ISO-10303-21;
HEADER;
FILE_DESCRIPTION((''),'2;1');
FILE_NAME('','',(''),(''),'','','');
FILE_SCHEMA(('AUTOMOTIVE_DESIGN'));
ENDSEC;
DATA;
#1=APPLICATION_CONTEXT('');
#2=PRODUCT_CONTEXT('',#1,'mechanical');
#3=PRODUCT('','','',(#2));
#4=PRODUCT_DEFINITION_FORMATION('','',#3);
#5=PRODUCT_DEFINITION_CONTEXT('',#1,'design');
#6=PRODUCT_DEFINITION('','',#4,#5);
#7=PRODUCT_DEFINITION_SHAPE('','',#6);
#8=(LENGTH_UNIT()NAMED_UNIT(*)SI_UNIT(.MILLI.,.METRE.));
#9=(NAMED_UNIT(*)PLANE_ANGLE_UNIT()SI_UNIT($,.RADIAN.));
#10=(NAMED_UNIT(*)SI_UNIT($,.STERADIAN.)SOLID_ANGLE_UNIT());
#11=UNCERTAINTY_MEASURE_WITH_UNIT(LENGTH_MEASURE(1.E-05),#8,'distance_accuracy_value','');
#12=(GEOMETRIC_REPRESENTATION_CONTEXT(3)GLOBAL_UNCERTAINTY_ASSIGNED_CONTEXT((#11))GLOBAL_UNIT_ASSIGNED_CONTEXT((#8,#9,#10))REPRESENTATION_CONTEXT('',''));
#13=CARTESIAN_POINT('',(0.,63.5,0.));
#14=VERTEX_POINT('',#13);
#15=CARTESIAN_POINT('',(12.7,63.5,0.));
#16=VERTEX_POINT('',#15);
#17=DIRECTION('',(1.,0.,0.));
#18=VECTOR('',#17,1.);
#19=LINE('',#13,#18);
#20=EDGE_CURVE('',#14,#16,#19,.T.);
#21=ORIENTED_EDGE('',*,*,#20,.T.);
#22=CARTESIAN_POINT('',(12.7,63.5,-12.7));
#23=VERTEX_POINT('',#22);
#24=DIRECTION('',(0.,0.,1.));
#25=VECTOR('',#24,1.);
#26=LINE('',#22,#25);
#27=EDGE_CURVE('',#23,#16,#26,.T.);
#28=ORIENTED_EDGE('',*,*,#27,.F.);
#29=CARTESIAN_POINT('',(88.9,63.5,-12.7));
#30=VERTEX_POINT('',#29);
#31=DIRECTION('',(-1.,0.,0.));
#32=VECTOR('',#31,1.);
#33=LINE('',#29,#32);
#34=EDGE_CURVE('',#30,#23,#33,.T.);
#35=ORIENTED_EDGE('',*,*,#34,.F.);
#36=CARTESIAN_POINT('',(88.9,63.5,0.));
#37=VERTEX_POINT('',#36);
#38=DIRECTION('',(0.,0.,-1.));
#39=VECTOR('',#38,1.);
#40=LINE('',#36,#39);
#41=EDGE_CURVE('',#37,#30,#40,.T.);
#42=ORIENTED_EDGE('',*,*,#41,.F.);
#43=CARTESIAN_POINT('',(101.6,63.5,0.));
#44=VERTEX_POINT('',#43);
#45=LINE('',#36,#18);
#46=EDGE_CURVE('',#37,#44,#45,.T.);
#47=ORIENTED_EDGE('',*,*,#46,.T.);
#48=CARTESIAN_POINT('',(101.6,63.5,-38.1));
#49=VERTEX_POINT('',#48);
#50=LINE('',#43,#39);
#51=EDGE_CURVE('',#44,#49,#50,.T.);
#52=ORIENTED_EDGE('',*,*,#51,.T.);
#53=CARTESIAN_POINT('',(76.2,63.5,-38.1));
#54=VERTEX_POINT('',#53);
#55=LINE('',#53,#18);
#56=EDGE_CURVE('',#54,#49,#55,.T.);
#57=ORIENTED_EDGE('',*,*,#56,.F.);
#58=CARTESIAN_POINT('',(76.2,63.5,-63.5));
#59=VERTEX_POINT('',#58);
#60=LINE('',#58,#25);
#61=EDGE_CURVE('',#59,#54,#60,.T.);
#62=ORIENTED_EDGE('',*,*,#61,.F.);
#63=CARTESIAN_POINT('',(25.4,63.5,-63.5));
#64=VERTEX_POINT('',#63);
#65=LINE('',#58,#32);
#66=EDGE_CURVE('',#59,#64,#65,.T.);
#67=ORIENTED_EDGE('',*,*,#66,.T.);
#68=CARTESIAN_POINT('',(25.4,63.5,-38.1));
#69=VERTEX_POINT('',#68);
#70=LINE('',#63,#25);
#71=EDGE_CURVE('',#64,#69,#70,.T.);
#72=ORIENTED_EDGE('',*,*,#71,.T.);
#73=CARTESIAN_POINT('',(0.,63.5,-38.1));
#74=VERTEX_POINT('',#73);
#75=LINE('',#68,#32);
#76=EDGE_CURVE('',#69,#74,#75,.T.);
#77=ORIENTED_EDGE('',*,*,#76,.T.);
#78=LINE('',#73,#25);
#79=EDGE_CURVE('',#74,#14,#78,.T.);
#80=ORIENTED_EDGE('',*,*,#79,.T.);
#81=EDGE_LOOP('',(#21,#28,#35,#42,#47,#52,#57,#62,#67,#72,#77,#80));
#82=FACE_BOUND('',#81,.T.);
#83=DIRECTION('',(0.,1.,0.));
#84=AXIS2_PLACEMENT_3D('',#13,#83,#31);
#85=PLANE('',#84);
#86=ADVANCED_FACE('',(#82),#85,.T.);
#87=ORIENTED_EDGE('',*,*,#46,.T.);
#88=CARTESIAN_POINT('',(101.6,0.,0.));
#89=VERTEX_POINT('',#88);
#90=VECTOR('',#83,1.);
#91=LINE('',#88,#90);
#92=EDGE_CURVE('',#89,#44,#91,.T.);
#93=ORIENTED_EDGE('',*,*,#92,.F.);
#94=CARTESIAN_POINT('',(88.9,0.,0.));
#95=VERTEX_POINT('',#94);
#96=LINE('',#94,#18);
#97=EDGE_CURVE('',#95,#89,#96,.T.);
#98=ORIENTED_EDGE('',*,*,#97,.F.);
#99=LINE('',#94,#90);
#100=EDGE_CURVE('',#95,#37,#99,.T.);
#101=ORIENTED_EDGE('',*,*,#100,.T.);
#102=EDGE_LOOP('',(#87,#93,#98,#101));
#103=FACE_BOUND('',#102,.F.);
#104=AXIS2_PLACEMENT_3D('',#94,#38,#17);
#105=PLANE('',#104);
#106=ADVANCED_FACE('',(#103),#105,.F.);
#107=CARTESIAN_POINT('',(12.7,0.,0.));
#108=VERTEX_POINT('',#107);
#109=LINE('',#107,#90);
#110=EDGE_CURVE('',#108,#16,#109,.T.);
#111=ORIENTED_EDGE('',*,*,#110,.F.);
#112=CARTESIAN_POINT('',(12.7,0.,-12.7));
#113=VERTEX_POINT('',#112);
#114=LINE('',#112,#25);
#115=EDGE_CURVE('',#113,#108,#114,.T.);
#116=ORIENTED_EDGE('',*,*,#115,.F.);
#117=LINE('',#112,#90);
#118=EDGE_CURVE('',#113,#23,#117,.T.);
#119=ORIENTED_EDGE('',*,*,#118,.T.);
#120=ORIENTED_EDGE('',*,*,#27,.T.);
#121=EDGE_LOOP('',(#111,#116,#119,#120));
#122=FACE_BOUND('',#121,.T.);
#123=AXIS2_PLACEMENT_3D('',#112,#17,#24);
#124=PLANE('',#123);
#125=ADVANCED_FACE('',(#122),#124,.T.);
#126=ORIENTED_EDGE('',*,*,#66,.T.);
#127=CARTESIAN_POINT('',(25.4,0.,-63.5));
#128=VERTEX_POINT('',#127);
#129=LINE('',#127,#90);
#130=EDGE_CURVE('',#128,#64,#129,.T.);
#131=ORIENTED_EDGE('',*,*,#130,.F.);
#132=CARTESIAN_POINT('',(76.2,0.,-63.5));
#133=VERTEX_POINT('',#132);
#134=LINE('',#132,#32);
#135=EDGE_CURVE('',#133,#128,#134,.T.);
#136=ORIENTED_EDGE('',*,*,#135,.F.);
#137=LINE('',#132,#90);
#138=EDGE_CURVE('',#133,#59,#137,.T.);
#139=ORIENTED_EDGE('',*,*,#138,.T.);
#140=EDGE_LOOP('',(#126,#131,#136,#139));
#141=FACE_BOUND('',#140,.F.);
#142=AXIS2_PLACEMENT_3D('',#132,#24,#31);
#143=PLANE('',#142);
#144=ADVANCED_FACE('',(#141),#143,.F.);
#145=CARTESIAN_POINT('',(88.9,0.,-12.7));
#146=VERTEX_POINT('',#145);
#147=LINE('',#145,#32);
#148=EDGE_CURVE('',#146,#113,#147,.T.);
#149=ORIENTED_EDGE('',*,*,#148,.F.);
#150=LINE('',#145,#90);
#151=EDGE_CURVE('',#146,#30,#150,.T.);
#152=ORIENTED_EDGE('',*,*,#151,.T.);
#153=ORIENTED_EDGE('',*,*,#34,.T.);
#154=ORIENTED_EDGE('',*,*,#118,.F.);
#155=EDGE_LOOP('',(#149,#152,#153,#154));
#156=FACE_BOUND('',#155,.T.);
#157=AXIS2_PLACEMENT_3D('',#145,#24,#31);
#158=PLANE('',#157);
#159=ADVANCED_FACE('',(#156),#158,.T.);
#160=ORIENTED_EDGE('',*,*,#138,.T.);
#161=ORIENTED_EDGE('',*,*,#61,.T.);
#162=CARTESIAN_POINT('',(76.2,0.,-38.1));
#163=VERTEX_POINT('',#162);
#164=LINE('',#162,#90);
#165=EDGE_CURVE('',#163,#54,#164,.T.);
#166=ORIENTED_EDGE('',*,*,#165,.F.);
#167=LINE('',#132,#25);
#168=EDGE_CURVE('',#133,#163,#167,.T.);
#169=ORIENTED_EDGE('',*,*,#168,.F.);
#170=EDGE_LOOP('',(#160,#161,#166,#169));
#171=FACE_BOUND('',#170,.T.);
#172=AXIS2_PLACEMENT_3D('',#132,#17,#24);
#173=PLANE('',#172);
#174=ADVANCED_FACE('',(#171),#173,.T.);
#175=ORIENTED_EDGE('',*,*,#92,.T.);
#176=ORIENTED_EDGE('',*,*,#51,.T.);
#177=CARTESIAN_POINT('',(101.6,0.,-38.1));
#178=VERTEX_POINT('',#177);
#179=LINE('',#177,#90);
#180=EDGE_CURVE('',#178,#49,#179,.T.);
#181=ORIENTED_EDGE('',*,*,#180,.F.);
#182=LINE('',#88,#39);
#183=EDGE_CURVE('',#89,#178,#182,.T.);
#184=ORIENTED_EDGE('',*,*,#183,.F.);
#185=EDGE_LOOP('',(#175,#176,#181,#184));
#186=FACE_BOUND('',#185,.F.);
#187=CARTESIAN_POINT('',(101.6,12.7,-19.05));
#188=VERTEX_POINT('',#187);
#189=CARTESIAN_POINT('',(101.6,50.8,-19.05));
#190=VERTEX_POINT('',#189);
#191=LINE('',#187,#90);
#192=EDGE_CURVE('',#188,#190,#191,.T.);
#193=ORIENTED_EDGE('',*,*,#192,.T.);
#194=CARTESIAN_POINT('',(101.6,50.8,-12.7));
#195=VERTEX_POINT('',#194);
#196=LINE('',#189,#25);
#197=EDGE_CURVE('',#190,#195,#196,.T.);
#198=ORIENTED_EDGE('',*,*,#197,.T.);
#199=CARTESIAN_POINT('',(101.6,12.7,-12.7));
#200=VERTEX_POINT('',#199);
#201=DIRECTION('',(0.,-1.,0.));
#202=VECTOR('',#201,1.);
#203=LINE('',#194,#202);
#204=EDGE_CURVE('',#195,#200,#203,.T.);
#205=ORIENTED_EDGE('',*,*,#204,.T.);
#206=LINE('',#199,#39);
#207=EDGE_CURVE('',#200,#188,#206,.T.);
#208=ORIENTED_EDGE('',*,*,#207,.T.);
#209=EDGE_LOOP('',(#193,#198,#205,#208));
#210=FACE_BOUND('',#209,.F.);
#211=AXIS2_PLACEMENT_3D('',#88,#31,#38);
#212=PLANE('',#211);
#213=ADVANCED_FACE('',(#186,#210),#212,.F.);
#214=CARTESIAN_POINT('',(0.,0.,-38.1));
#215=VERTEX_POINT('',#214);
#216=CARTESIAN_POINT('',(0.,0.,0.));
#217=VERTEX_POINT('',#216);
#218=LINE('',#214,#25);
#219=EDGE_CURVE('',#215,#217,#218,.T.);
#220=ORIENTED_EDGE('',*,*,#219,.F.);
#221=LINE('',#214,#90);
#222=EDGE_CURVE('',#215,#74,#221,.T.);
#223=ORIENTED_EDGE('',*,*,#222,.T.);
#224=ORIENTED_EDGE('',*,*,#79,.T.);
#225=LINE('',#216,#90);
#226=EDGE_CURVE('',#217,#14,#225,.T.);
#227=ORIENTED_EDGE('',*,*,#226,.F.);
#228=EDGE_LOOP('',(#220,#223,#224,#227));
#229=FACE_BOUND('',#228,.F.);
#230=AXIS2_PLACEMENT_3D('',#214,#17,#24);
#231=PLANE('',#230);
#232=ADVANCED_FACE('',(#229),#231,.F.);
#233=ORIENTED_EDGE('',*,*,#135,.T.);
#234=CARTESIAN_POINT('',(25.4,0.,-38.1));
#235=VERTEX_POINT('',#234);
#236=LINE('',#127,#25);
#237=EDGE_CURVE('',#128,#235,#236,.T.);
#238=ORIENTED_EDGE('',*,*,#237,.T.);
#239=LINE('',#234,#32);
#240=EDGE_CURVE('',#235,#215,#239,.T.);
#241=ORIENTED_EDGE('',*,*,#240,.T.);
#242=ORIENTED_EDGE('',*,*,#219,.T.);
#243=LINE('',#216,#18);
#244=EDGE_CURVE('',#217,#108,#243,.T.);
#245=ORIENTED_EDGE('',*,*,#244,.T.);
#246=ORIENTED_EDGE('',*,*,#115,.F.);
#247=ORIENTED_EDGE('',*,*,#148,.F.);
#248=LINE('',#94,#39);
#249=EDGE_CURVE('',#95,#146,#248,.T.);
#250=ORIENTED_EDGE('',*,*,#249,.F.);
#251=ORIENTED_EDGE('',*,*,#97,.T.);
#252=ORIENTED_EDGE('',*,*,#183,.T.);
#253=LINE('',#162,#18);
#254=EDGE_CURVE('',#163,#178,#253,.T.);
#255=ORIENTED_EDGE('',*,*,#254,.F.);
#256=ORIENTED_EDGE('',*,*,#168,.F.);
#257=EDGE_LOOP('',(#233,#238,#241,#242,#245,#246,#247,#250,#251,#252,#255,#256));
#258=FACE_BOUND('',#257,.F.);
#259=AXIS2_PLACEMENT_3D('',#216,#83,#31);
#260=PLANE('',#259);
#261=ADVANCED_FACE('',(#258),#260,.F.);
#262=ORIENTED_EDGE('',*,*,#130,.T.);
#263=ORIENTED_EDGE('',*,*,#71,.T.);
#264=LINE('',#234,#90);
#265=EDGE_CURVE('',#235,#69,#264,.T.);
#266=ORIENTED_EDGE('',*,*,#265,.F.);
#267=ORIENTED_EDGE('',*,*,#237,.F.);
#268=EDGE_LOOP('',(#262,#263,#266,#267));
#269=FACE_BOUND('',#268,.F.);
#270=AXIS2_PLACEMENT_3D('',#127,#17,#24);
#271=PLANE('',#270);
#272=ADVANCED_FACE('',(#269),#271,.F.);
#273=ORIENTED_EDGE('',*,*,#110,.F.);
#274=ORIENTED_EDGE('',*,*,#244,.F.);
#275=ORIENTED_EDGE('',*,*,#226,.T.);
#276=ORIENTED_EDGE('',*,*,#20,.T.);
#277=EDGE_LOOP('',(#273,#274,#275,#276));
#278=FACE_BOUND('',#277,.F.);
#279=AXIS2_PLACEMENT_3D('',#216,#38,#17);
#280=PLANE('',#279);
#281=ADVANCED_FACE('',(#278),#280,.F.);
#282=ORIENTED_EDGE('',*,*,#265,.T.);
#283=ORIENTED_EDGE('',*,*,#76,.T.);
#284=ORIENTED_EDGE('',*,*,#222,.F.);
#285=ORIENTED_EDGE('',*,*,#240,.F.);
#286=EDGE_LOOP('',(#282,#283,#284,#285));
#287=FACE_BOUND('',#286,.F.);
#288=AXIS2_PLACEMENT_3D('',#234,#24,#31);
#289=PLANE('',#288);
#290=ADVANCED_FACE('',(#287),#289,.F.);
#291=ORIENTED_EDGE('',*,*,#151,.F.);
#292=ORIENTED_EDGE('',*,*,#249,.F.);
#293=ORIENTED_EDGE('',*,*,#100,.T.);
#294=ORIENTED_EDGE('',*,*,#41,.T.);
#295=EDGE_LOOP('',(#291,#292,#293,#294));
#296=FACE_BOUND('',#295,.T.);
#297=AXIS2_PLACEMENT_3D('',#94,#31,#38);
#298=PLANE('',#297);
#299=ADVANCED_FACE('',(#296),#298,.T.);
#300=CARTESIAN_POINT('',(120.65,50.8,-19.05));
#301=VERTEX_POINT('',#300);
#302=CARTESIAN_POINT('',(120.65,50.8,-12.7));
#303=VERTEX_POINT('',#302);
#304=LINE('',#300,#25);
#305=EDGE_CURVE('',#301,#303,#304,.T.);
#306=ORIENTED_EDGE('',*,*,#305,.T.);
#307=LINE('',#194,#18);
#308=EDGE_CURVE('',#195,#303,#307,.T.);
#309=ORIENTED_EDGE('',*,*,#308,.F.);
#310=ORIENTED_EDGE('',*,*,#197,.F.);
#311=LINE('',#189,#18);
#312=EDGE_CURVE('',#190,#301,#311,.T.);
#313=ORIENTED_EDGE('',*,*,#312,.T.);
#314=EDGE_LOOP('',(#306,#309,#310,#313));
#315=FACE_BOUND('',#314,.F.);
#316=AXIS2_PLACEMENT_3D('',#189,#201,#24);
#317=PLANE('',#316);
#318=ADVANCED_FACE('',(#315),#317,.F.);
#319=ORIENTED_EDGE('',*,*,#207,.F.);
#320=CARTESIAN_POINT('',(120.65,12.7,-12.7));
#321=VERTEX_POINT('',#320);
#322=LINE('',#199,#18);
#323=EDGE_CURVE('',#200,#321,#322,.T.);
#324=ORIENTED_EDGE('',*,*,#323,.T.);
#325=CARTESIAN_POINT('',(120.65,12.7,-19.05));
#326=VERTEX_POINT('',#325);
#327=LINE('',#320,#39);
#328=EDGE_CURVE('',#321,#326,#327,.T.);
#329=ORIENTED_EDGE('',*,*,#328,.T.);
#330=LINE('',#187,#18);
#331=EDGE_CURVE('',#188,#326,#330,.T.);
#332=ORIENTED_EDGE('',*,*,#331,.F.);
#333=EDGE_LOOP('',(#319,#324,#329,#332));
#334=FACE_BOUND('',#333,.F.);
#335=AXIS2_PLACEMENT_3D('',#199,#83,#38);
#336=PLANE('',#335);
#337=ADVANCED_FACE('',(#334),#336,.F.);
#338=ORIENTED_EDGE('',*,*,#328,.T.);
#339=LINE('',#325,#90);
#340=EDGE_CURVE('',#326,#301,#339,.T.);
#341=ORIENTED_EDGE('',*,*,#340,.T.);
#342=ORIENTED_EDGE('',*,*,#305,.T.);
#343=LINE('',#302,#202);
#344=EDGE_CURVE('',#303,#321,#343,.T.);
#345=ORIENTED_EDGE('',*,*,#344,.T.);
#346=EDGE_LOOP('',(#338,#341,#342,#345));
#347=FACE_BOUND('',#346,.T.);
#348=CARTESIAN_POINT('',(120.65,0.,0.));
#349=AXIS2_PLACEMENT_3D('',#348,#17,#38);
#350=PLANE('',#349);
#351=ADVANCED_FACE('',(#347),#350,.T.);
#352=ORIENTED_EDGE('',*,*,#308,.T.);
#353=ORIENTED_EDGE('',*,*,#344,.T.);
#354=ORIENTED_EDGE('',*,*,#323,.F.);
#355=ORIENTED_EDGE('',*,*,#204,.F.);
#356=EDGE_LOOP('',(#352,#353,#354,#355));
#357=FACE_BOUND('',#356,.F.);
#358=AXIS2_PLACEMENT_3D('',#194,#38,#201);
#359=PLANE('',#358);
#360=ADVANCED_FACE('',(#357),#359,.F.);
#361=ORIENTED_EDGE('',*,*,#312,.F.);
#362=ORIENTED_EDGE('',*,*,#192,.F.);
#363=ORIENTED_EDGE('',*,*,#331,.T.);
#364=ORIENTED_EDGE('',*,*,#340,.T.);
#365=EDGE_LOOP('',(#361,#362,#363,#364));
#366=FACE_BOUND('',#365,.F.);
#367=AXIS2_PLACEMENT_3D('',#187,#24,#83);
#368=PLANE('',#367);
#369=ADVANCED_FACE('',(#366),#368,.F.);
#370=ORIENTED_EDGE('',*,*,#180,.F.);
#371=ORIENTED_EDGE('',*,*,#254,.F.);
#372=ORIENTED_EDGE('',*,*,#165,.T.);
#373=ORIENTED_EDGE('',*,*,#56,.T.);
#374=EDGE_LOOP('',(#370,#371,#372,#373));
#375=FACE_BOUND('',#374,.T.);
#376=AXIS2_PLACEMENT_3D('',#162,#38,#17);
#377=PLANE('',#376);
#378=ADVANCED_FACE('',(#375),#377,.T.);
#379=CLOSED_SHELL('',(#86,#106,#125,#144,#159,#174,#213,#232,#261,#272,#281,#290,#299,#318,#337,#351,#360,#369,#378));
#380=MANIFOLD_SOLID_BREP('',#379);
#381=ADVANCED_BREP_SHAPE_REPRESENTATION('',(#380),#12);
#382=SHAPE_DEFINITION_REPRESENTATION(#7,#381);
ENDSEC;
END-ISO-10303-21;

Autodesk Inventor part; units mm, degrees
ref_plane "YZ Plane" through (0, 0, 0) normal (1, 0, 0) x (0, 1, 0)
ref_plane "XZ Plane" through (0, 0, 0) normal (0, 1, 0) x (-1, 0, 0)
ref_plane "XY Plane" through (0, 0, 0) normal (0, 0, 1) x (1, 0, 0)
sketch "Sketch1" plane through (0, 0, 0) normal (0, 1, 0) x (-1, 0, 0)
  line L0 (-101.6, 0) -> (-101.6, -38.1)
  line L1 (-76.2, -63.5) -> (-25.4, -63.5)
  line L2 (-88.9, 0) -> (-88.9, -12.7)
  line L3 (-88.9, -12.7) -> (-12.7, -12.7)
  line L4 (-12.7, -12.7) -> (-12.7, 0)
  line L5 (-25.4, -63.5) -> (-25.4, -38.1)
  line L6 (-25.4, -38.1) -> (0, -38.1)
  line L7 (-76.2, -63.5) -> (-76.2, -38.1)
  line L8 (-76.2, -38.1) -> (-101.6, -38.1)
  line L9 (-88.9, 0) -> (-101.6, 0)
  line L10 (0, -38.1) -> (0, 0)
  line L11 (0, 0) -> (-12.7, 0)
  dimension "d2" = 76.2
  dimension "d3" = 12.7
  dimension "d4" = 25.4
  dimension "d5" = 25.4
  dimension "d6" = 25.4
  dimension "d7" = 25.4
  dimension "d8" = 38.1
extrude "Extrusion1" add sketch "Sketch1" along normal blind 63.5
sketch "Sketch2" plane through (101.6, 0, 0) normal (1, 0, 0) x (0, 0, -1)
  line L0 (63.5, 63.5) -> (38.1, 63.5) projected
  line L1 (19.05, 50.8) -> (12.7, 50.8)
  line L2 (12.7, 50.8) -> (12.7, 12.7)
  line L3 (12.7, 12.7) -> (19.05, 12.7)
  line L4 (19.05, 12.7) -> (19.05, 50.8)
  point P0 (0, 63.5)
  dimension "d14" = 6.35
  dimension "d15" = 38.1
extrude "Extrusion2" add sketch "Sketch2" along normal blind 19.05
properties part number "4.2 Part A"
